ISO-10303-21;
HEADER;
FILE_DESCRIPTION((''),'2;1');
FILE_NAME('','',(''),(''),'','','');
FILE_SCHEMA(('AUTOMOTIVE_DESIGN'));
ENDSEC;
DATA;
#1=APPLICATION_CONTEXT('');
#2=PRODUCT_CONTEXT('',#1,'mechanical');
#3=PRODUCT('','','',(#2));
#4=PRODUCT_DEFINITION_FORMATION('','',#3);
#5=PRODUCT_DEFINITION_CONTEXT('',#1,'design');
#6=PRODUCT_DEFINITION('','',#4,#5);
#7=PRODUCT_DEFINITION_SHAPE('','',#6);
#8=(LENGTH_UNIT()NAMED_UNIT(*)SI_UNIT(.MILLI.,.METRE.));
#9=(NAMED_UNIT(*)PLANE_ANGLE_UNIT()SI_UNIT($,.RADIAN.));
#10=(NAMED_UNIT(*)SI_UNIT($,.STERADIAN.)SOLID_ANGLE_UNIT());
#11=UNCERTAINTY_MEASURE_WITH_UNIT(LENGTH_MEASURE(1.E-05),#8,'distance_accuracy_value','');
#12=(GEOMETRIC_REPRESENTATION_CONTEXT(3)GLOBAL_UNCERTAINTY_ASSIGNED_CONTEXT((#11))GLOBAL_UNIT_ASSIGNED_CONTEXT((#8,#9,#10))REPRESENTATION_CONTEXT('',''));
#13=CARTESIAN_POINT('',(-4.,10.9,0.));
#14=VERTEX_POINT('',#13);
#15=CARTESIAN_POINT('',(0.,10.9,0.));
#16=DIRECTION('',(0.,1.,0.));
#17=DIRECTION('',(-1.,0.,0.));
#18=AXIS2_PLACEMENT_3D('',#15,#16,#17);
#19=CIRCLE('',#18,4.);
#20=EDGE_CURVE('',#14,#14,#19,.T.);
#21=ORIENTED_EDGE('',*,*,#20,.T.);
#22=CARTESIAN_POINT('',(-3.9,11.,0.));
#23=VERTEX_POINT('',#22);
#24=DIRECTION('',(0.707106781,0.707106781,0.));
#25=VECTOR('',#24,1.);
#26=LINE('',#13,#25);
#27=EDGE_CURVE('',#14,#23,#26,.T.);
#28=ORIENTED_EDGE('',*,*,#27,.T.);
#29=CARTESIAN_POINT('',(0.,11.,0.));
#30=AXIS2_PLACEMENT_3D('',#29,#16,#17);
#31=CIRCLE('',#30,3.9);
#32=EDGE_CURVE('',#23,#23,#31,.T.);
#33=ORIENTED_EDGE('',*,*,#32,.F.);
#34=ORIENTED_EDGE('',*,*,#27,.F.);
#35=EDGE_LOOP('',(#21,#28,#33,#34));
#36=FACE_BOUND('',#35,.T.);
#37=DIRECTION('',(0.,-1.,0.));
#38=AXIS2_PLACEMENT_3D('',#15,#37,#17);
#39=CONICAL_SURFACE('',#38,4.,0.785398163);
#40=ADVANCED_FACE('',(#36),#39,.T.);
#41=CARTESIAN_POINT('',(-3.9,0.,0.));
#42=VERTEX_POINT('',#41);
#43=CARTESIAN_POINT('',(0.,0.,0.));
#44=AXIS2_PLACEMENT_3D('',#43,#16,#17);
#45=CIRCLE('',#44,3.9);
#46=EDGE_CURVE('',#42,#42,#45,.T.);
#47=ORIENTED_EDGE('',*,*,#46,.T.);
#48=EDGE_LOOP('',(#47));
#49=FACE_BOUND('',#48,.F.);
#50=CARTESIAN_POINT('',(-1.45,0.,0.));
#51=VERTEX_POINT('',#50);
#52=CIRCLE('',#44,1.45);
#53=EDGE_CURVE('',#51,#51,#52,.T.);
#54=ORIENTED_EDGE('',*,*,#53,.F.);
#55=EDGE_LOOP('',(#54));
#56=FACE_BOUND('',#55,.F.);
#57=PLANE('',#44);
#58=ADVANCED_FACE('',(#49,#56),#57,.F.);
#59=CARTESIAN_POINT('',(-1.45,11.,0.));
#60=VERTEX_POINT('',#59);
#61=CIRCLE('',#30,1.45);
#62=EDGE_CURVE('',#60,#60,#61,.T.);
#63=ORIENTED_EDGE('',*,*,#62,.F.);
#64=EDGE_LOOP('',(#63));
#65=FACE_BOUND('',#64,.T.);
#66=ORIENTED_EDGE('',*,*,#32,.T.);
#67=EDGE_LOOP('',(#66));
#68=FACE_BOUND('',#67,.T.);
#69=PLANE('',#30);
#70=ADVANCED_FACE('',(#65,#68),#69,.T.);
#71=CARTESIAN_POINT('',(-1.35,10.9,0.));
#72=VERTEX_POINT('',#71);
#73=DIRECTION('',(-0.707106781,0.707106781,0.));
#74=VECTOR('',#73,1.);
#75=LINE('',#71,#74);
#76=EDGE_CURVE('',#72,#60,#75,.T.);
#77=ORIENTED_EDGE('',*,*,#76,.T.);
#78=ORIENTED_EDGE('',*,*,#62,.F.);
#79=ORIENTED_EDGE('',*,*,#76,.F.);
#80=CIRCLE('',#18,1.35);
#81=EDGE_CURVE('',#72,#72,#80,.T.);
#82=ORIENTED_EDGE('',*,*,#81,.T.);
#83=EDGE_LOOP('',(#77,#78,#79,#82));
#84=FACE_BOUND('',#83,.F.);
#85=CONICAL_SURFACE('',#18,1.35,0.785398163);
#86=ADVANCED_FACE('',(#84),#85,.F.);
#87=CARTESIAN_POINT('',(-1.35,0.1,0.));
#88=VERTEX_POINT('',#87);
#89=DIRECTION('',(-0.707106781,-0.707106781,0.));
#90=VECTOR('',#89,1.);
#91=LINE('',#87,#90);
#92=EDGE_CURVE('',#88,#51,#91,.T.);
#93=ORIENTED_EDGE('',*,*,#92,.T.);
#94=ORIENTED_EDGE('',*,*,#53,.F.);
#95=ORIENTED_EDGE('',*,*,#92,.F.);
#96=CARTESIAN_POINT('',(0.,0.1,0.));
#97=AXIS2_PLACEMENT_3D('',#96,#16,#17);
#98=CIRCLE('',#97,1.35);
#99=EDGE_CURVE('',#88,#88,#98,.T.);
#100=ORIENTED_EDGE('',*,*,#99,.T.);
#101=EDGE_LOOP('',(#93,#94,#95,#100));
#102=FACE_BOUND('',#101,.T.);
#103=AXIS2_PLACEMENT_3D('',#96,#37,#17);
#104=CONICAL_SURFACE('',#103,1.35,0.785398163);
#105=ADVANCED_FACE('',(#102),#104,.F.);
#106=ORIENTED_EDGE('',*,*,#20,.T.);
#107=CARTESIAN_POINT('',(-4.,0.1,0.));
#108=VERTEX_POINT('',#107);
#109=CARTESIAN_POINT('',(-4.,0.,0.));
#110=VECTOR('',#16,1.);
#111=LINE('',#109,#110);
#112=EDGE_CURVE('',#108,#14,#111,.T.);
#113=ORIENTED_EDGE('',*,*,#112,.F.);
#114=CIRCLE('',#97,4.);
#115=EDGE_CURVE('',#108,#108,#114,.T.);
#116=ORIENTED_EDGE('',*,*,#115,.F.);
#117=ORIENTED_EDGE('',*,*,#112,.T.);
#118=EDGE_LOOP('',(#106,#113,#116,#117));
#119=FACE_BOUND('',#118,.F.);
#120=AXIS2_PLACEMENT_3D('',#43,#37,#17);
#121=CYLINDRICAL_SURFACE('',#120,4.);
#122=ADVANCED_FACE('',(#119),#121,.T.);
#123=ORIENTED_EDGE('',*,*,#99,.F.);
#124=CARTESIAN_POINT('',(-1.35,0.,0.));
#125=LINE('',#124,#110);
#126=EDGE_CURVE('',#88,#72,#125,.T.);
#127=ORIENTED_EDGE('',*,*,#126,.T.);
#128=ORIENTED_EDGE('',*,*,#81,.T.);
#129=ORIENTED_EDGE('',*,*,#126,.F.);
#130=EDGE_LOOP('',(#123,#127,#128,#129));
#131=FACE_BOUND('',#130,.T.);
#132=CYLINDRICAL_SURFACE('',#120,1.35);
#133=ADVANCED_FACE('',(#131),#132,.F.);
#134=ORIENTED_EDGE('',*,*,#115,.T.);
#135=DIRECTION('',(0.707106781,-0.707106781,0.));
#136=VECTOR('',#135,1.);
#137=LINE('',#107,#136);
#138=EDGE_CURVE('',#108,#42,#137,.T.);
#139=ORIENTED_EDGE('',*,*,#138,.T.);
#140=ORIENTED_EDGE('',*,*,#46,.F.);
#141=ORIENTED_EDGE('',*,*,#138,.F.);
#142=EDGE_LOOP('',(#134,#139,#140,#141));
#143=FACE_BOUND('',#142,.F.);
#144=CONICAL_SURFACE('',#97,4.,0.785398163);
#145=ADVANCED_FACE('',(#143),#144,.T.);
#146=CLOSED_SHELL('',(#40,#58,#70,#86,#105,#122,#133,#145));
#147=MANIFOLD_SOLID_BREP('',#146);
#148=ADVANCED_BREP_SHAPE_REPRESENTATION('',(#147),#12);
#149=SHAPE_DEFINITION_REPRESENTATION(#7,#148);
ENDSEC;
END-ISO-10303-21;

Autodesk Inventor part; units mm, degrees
ref_plane "YZ Plane" through (0, 0, 0) normal (1, 0, 0) x (0, 1, 0)
ref_plane "XZ Plane" through (0, 0, 0) normal (0, 1, 0) x (-1, 0, 0)
ref_plane "XY Plane" through (0, 0, 0) normal (0, 0, 1) x (1, 0, 0)
sketch "Skizze1" plane through (0, 0, 0) normal (0, 1, 0) x (-1, 0, 0)
  circle A0 centre (0, 0) radius 4
  circle A1 centre (0, 0) radius 1.35
  dimension "d0" = 8
  dimension "d1" = 2.7
extrude "Extrusion1" add sketch "Skizze1" along normal blind 11
chamfer "Fasen1" distance 0.1 angle 45 4 edges at (4, 11, 0) (4, 0, 0) (1.35, 0, 0) (1.35, 11, 0)
properties part number "Abstandshalter 11mm"
